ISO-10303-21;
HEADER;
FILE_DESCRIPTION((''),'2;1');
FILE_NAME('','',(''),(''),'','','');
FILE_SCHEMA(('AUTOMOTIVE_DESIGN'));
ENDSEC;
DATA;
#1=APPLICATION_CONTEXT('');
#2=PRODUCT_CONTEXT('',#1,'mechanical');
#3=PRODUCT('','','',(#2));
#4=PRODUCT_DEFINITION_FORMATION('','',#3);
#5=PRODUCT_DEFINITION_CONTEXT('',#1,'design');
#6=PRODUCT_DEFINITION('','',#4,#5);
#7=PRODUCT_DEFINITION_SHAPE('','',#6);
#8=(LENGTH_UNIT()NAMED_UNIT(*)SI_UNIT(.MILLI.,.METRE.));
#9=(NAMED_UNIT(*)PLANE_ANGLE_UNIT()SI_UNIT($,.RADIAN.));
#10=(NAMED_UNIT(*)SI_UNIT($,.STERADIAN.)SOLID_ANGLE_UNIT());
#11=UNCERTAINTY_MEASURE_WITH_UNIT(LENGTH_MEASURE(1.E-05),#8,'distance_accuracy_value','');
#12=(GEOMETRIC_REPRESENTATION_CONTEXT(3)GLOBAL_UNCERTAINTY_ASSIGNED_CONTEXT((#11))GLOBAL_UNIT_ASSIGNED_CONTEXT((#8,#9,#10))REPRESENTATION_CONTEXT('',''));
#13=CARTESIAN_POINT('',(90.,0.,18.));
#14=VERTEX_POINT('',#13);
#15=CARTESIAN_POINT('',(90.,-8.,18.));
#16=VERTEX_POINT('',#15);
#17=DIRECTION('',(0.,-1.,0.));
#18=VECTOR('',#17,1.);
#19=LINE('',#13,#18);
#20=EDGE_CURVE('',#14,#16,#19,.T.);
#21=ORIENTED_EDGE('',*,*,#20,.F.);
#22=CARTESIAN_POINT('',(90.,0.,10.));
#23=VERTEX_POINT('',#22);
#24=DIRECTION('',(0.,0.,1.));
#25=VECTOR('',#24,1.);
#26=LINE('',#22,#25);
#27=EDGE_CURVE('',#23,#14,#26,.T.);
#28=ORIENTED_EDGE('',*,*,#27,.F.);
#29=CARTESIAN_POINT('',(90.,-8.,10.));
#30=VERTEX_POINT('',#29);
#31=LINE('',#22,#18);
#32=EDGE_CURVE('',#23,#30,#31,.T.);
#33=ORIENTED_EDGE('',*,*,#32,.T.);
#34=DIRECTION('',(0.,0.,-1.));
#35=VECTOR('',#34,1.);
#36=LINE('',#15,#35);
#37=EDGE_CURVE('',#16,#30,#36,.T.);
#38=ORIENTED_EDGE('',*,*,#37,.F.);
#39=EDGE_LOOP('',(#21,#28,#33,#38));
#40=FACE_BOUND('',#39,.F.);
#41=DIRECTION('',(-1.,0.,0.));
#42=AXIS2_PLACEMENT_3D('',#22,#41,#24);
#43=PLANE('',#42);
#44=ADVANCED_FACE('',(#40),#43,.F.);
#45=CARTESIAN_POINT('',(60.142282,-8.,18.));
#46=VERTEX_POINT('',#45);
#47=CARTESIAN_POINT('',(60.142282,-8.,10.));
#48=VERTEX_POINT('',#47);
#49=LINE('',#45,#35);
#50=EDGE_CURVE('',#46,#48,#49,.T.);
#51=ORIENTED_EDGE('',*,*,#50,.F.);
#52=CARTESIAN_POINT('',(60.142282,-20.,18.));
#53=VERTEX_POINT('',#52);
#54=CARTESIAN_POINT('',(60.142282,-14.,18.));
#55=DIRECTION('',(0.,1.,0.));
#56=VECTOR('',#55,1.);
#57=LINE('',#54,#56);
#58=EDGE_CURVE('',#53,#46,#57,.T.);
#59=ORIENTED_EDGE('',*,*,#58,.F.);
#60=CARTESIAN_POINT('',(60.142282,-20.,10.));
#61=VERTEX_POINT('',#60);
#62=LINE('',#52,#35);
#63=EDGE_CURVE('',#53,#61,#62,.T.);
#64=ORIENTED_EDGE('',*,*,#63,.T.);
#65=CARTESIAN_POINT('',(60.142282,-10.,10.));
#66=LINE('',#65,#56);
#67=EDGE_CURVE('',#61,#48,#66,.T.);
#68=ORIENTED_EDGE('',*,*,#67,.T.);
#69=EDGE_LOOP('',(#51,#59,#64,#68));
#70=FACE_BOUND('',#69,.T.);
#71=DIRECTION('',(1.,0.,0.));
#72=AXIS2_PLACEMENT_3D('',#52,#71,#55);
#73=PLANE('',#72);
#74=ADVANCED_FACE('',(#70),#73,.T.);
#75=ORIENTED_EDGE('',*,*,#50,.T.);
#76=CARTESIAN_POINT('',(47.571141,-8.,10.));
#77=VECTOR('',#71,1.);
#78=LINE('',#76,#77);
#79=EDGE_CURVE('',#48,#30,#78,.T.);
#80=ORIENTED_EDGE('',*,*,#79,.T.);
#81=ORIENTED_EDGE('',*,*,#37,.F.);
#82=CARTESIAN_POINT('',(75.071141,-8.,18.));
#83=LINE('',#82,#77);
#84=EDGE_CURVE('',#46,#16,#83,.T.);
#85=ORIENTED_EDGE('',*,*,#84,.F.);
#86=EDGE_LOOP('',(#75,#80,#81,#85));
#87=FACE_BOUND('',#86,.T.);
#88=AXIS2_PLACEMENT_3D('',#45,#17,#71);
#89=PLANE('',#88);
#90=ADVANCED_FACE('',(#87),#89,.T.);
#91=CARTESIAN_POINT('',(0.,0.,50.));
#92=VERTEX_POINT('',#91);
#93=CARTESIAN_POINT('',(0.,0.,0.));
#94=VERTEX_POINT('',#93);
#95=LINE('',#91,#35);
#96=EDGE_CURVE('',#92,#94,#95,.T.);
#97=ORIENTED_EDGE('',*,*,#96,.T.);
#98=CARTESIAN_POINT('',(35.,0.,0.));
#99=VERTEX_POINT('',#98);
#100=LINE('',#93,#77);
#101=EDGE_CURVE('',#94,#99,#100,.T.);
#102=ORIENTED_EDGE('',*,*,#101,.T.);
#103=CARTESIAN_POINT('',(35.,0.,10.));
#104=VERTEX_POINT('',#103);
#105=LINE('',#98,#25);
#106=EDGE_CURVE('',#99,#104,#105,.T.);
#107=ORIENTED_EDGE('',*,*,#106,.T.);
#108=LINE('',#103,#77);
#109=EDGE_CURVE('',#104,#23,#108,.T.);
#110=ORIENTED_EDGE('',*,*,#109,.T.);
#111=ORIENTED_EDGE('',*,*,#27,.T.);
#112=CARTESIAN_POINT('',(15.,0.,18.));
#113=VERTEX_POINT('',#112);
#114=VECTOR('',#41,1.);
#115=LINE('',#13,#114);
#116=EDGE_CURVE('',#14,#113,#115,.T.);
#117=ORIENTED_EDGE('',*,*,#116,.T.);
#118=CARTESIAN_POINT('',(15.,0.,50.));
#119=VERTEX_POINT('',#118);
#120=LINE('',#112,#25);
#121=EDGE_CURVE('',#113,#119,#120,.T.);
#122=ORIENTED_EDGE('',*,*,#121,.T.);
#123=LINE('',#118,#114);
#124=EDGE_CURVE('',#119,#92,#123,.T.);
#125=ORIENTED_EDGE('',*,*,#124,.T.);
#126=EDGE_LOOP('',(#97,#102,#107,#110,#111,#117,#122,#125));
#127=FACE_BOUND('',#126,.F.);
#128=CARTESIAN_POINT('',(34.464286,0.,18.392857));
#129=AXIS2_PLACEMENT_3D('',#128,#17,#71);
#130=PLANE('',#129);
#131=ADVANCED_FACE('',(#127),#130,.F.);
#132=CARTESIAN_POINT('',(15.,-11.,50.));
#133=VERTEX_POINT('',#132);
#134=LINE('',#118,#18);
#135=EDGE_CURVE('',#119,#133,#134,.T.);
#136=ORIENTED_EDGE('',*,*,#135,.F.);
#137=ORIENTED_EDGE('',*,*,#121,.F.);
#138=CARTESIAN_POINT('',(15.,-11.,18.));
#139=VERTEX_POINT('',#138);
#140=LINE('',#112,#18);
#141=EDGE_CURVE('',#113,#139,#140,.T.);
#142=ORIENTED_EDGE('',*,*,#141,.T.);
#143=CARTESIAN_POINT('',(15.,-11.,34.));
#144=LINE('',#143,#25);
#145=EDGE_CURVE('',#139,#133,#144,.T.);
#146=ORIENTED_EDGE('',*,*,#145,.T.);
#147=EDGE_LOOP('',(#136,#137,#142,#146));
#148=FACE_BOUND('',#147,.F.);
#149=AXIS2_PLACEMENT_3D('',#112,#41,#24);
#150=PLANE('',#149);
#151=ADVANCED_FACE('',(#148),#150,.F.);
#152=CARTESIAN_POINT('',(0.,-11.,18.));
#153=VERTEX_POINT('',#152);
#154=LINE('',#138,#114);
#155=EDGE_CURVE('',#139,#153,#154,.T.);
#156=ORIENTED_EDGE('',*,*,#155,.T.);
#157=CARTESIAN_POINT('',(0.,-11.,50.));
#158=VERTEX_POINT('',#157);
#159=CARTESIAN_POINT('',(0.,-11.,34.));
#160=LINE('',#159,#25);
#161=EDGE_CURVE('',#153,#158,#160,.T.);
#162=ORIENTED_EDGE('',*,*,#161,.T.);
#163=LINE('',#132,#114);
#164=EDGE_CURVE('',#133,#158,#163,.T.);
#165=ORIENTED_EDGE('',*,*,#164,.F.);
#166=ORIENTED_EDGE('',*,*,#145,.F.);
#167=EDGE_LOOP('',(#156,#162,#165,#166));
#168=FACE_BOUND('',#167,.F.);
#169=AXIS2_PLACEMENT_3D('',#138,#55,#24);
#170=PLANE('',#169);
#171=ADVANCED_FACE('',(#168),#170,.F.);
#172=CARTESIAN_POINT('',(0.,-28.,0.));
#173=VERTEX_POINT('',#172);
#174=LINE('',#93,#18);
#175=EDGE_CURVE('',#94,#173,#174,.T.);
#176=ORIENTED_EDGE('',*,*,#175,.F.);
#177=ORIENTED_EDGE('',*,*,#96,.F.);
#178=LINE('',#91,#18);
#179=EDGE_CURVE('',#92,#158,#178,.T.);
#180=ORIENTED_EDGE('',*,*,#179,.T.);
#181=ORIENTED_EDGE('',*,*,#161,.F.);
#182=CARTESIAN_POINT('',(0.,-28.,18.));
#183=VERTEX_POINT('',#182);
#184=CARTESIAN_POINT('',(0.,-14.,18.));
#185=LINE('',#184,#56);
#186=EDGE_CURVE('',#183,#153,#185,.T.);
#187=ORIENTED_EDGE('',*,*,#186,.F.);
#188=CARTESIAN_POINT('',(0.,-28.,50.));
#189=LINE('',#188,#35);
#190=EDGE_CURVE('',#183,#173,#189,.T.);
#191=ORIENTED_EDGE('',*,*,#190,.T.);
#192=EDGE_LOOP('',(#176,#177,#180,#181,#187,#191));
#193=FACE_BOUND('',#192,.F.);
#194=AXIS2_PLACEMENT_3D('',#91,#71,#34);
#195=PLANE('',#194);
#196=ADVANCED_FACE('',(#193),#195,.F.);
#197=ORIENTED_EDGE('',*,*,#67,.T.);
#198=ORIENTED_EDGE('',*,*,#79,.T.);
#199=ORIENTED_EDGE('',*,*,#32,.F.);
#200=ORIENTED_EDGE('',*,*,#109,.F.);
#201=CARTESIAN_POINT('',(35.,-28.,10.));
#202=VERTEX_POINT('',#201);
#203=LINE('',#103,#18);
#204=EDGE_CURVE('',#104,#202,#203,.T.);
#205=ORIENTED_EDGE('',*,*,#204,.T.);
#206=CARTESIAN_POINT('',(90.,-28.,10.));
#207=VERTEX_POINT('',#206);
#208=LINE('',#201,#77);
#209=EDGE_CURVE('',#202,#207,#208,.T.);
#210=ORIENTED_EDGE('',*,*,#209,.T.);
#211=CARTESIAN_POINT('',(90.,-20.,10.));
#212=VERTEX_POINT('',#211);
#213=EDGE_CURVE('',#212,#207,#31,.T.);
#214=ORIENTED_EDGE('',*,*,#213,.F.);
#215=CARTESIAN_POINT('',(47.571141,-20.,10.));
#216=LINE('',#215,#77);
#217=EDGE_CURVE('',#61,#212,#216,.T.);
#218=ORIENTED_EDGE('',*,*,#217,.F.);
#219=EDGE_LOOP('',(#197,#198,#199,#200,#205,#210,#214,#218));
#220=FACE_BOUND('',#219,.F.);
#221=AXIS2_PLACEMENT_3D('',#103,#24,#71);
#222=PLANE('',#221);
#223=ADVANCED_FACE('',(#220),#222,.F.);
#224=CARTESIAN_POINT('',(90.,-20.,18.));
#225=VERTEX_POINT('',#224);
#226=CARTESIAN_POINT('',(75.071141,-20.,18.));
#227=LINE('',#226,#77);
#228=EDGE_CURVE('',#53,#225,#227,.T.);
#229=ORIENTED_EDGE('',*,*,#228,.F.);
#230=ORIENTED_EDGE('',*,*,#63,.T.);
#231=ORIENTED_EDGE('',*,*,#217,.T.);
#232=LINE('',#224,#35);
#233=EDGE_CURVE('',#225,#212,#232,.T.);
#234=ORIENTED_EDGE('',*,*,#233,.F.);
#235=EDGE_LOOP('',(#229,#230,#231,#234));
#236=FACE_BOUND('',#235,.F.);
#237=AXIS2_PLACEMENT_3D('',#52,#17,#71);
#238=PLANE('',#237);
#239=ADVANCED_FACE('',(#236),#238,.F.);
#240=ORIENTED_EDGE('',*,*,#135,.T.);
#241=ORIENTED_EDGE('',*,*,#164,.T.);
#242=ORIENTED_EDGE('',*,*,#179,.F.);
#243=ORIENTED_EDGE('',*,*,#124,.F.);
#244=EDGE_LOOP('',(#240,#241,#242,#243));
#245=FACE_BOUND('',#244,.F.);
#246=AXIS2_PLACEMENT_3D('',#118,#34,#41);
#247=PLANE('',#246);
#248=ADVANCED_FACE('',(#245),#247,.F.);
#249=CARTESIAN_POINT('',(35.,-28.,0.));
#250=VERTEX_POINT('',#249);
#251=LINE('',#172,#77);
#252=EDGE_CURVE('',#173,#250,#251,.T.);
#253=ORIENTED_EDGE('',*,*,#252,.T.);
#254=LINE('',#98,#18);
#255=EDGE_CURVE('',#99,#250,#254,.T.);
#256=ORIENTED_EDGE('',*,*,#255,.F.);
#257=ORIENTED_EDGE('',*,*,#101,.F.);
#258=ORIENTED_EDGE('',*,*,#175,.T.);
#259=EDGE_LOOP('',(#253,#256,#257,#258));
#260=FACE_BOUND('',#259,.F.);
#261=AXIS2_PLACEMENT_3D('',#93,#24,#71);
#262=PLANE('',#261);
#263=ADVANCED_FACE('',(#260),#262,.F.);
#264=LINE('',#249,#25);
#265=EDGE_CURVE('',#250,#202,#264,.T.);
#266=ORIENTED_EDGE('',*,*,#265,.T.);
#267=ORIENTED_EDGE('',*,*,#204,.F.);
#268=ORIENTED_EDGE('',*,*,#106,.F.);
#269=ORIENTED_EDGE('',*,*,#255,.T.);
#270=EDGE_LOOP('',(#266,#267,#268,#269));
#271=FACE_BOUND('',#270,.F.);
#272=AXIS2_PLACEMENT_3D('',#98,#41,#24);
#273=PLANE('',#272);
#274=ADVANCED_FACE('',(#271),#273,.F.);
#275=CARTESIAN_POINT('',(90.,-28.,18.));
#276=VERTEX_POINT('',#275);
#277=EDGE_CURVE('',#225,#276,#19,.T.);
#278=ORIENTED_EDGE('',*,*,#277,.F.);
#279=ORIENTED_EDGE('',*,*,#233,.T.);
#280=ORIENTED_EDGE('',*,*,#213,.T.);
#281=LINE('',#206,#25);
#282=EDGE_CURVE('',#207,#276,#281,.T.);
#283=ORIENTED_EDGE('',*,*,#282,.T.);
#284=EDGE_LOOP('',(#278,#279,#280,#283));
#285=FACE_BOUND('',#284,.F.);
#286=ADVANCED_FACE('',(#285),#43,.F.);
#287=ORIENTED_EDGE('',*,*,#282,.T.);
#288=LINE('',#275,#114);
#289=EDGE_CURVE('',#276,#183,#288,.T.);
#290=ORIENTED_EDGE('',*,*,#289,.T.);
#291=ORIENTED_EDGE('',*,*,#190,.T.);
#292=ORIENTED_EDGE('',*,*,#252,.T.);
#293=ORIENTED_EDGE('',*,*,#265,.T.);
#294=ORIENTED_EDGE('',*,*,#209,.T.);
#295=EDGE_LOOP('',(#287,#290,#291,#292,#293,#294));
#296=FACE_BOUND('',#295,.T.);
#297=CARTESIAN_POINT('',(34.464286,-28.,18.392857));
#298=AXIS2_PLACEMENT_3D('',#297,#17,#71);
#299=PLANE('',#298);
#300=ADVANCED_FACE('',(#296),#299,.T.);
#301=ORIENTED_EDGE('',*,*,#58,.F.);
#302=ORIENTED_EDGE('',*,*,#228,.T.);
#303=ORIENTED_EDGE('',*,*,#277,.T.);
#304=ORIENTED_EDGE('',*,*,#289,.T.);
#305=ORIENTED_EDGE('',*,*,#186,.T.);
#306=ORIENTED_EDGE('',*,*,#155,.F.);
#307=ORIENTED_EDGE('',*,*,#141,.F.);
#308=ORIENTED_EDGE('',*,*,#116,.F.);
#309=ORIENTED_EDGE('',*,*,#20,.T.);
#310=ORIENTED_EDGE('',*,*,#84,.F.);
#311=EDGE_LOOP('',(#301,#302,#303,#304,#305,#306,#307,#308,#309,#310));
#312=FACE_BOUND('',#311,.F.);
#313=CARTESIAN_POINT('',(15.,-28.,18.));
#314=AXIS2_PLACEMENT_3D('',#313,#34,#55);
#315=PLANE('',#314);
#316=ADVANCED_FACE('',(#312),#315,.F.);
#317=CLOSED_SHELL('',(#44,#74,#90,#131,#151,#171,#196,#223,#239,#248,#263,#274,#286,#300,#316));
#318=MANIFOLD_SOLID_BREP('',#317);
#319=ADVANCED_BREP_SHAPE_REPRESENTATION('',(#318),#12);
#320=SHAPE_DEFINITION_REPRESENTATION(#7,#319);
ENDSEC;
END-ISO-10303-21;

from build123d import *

# Parameters (mm, degrees)
F1_DEPTH = 28
F2_W     = 17
F2_H     = 32
F3_DEPTH = 25
F4_W     = 29.857718
F4_H     = 12
F5_DEPTH = 25


with BuildPart() as f1:
    # F0 (on Front) → F1 (new body)
    with BuildSketch(Plane.XZ):
        Polygon((0, 50), (0, 0), (35, 0), (35, 10), (90, 10), (90, 18), (15, 18), (15, 50), align=None)
    extrude(amount=F1_DEPTH)

    # F2 (on face) → F3 (cut)
    with BuildSketch(Plane.YZ.offset(15)):
        with Locations((-19.5, 34)):
            Rectangle(F2_W, F2_H)
    extrude(amount=-F3_DEPTH, mode=Mode.SUBTRACT)

    # F4 (on face) → F5 (cut)
    with BuildSketch(Plane.XY.offset(18)):
        with Locations((75.071141, -14)):
            Rectangle(F4_W, F4_H)
    extrude(amount=-F5_DEPTH, mode=Mode.SUBTRACT)


solid = f1.part
